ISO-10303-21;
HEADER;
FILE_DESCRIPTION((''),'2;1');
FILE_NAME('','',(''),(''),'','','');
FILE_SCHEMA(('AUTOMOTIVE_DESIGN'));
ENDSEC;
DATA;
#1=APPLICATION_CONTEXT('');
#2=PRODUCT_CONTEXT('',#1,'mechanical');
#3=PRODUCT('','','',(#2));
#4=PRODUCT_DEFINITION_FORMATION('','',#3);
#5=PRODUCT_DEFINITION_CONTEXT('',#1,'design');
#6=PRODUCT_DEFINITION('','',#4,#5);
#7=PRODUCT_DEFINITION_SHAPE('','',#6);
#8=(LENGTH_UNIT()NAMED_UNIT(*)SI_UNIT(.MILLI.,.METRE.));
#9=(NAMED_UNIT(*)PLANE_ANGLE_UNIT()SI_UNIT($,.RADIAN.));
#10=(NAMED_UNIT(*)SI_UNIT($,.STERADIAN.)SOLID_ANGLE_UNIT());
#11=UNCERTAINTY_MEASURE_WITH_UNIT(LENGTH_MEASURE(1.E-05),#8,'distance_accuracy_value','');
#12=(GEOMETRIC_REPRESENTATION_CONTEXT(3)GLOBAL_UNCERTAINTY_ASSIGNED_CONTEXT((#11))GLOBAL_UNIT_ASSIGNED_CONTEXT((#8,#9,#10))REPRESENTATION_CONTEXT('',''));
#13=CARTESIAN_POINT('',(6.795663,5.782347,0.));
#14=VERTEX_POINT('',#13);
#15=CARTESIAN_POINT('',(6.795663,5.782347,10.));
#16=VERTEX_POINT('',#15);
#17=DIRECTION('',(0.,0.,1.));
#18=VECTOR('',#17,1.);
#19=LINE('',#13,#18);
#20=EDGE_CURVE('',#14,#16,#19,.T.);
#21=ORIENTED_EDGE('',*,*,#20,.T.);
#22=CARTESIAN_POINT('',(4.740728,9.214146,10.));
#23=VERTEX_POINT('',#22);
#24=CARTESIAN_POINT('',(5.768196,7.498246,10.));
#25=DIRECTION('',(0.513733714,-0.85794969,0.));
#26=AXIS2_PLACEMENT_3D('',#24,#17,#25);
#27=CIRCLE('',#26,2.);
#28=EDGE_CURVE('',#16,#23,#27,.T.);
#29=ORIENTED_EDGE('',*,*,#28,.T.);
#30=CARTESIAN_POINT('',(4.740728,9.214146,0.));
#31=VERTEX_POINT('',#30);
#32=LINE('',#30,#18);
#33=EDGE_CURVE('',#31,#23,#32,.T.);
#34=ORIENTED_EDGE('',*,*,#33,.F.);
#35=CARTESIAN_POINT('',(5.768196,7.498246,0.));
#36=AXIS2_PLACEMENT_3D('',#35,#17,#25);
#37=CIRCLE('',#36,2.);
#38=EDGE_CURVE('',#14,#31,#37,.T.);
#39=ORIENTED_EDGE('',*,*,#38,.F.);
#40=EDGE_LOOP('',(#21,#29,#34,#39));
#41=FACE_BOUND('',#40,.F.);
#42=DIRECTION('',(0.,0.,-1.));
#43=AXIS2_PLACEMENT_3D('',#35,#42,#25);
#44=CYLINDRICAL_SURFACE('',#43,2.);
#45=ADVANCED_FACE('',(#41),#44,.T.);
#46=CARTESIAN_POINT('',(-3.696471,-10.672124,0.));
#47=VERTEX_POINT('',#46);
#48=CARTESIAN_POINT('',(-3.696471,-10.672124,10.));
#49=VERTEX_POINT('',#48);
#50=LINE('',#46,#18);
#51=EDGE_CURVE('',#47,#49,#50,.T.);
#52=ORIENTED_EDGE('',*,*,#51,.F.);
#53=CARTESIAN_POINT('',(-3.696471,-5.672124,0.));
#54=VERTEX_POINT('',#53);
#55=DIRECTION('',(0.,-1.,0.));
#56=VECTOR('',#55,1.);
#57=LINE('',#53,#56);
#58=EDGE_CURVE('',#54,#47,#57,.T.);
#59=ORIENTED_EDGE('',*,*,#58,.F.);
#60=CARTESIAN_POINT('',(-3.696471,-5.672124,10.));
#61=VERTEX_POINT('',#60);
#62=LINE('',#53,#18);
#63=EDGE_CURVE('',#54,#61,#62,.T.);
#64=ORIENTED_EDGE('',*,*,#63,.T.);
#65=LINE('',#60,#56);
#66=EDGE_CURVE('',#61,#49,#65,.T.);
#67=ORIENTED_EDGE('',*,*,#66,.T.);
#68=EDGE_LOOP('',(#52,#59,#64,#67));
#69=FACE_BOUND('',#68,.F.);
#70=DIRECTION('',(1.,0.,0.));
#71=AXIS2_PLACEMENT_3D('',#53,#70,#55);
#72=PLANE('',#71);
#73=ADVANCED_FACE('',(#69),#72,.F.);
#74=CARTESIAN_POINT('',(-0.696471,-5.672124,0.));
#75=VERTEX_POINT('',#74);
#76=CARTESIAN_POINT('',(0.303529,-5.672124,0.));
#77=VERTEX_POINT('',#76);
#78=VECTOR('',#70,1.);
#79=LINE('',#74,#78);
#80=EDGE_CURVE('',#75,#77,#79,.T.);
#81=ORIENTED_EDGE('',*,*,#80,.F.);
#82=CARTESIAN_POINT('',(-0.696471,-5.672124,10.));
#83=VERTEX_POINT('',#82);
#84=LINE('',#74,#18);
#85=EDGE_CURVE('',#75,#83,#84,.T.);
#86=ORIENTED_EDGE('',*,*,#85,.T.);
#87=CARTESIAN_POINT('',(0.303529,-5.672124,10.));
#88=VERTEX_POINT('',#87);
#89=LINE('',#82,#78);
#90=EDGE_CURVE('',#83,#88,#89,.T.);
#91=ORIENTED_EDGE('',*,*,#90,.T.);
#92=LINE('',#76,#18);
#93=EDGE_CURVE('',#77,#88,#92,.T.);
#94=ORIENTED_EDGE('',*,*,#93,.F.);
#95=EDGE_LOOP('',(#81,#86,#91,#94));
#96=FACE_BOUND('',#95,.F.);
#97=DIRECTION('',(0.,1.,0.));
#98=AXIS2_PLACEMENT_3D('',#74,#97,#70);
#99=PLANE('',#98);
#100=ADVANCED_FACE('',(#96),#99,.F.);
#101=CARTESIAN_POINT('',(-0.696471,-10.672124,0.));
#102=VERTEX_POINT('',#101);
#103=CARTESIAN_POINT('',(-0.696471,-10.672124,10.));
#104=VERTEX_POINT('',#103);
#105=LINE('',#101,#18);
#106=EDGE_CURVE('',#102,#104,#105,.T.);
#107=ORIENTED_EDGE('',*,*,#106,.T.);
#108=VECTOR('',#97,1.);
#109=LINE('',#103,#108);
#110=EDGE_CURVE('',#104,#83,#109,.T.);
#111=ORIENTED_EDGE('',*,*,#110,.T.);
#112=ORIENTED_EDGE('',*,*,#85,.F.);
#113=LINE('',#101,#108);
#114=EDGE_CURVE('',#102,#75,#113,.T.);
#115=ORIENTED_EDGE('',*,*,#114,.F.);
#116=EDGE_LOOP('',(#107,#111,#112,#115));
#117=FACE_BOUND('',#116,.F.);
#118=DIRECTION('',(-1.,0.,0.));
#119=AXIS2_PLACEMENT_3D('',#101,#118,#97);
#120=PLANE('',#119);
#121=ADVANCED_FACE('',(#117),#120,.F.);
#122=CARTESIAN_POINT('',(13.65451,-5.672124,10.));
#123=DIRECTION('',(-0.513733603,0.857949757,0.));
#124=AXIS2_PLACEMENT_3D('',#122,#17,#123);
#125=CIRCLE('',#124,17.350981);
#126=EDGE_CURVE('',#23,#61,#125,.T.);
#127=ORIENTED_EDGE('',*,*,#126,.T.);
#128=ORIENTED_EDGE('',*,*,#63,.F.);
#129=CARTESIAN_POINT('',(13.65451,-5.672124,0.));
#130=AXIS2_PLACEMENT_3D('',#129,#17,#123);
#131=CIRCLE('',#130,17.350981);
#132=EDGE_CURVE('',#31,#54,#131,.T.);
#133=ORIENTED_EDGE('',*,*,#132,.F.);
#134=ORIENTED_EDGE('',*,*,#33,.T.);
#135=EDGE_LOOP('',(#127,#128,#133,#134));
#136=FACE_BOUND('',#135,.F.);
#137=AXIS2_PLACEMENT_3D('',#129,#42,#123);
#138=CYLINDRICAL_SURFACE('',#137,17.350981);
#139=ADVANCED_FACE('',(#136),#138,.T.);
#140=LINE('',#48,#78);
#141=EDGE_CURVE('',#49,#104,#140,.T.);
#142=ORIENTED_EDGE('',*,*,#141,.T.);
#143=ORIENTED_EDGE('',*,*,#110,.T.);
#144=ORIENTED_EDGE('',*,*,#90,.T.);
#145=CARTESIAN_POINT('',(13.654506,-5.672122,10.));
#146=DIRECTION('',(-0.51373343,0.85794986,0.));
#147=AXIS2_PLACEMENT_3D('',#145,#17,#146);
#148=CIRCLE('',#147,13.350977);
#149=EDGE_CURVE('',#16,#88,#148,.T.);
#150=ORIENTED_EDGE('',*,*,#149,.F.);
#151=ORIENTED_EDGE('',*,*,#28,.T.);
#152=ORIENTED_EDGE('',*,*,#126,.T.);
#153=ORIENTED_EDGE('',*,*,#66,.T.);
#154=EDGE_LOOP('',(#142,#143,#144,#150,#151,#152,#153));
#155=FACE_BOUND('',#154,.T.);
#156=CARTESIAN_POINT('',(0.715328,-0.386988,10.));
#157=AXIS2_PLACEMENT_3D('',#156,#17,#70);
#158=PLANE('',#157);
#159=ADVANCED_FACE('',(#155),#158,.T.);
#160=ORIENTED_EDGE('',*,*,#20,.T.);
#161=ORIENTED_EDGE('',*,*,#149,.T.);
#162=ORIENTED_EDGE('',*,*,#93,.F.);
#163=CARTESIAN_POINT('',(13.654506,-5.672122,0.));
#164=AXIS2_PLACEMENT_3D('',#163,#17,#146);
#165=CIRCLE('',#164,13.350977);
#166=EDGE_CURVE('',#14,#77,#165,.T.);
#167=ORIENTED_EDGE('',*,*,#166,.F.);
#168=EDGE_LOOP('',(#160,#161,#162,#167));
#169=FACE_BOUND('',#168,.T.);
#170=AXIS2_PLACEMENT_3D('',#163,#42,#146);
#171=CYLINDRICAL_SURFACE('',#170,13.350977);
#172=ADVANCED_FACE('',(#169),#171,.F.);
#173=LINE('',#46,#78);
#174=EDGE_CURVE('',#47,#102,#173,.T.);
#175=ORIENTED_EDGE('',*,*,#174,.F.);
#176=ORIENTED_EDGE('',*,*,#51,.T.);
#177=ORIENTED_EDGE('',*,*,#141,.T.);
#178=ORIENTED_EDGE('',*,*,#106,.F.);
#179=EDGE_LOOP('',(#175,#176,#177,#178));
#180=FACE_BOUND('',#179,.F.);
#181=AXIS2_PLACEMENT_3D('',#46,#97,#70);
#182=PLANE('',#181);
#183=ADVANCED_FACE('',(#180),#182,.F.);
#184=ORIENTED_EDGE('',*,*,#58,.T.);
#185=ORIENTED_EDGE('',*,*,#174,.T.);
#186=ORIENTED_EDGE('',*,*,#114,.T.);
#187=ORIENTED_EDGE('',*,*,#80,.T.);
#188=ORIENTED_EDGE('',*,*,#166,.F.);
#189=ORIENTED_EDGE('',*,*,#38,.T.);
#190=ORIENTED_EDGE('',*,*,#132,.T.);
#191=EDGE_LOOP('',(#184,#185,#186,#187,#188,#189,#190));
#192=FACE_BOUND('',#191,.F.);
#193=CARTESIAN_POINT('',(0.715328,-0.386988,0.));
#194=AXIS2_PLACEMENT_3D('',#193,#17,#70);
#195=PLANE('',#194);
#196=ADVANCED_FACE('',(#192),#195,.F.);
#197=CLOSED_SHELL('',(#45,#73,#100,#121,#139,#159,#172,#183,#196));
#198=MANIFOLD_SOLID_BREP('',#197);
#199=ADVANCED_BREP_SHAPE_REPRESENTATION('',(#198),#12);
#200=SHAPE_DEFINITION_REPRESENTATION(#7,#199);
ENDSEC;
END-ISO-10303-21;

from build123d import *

# Parameters (mm, degrees)
EXTRUDE_DEPTH = 10


with BuildPart() as part:
    # Sketch → Extrude (new body)
    with BuildSketch(Plane.XY):
        with BuildLine():
            Line((-3.696471, -10.672124), (-0.696471, -10.672124))
            Line((-0.696471, -10.672124), (-0.696471, -5.672124))
            Line((-0.696471, -5.672124), (0.303529, -5.672124))
            ThreePointArc((6.795663, 5.782347), (2.039411, 0.91105), (0.303529, -5.672124))
            ThreePointArc((6.795663, 5.782347), (7.484095, 8.525714), (4.740728, 9.214146))
            ThreePointArc((4.740728, 9.214146), (-1.440512, 2.883392), (-3.696471, -5.672124))
            Line((-3.696471, -5.672124), (-3.696471, -10.672124))
        make_face()
    extrude(amount=EXTRUDE_DEPTH)


solid = part.part
